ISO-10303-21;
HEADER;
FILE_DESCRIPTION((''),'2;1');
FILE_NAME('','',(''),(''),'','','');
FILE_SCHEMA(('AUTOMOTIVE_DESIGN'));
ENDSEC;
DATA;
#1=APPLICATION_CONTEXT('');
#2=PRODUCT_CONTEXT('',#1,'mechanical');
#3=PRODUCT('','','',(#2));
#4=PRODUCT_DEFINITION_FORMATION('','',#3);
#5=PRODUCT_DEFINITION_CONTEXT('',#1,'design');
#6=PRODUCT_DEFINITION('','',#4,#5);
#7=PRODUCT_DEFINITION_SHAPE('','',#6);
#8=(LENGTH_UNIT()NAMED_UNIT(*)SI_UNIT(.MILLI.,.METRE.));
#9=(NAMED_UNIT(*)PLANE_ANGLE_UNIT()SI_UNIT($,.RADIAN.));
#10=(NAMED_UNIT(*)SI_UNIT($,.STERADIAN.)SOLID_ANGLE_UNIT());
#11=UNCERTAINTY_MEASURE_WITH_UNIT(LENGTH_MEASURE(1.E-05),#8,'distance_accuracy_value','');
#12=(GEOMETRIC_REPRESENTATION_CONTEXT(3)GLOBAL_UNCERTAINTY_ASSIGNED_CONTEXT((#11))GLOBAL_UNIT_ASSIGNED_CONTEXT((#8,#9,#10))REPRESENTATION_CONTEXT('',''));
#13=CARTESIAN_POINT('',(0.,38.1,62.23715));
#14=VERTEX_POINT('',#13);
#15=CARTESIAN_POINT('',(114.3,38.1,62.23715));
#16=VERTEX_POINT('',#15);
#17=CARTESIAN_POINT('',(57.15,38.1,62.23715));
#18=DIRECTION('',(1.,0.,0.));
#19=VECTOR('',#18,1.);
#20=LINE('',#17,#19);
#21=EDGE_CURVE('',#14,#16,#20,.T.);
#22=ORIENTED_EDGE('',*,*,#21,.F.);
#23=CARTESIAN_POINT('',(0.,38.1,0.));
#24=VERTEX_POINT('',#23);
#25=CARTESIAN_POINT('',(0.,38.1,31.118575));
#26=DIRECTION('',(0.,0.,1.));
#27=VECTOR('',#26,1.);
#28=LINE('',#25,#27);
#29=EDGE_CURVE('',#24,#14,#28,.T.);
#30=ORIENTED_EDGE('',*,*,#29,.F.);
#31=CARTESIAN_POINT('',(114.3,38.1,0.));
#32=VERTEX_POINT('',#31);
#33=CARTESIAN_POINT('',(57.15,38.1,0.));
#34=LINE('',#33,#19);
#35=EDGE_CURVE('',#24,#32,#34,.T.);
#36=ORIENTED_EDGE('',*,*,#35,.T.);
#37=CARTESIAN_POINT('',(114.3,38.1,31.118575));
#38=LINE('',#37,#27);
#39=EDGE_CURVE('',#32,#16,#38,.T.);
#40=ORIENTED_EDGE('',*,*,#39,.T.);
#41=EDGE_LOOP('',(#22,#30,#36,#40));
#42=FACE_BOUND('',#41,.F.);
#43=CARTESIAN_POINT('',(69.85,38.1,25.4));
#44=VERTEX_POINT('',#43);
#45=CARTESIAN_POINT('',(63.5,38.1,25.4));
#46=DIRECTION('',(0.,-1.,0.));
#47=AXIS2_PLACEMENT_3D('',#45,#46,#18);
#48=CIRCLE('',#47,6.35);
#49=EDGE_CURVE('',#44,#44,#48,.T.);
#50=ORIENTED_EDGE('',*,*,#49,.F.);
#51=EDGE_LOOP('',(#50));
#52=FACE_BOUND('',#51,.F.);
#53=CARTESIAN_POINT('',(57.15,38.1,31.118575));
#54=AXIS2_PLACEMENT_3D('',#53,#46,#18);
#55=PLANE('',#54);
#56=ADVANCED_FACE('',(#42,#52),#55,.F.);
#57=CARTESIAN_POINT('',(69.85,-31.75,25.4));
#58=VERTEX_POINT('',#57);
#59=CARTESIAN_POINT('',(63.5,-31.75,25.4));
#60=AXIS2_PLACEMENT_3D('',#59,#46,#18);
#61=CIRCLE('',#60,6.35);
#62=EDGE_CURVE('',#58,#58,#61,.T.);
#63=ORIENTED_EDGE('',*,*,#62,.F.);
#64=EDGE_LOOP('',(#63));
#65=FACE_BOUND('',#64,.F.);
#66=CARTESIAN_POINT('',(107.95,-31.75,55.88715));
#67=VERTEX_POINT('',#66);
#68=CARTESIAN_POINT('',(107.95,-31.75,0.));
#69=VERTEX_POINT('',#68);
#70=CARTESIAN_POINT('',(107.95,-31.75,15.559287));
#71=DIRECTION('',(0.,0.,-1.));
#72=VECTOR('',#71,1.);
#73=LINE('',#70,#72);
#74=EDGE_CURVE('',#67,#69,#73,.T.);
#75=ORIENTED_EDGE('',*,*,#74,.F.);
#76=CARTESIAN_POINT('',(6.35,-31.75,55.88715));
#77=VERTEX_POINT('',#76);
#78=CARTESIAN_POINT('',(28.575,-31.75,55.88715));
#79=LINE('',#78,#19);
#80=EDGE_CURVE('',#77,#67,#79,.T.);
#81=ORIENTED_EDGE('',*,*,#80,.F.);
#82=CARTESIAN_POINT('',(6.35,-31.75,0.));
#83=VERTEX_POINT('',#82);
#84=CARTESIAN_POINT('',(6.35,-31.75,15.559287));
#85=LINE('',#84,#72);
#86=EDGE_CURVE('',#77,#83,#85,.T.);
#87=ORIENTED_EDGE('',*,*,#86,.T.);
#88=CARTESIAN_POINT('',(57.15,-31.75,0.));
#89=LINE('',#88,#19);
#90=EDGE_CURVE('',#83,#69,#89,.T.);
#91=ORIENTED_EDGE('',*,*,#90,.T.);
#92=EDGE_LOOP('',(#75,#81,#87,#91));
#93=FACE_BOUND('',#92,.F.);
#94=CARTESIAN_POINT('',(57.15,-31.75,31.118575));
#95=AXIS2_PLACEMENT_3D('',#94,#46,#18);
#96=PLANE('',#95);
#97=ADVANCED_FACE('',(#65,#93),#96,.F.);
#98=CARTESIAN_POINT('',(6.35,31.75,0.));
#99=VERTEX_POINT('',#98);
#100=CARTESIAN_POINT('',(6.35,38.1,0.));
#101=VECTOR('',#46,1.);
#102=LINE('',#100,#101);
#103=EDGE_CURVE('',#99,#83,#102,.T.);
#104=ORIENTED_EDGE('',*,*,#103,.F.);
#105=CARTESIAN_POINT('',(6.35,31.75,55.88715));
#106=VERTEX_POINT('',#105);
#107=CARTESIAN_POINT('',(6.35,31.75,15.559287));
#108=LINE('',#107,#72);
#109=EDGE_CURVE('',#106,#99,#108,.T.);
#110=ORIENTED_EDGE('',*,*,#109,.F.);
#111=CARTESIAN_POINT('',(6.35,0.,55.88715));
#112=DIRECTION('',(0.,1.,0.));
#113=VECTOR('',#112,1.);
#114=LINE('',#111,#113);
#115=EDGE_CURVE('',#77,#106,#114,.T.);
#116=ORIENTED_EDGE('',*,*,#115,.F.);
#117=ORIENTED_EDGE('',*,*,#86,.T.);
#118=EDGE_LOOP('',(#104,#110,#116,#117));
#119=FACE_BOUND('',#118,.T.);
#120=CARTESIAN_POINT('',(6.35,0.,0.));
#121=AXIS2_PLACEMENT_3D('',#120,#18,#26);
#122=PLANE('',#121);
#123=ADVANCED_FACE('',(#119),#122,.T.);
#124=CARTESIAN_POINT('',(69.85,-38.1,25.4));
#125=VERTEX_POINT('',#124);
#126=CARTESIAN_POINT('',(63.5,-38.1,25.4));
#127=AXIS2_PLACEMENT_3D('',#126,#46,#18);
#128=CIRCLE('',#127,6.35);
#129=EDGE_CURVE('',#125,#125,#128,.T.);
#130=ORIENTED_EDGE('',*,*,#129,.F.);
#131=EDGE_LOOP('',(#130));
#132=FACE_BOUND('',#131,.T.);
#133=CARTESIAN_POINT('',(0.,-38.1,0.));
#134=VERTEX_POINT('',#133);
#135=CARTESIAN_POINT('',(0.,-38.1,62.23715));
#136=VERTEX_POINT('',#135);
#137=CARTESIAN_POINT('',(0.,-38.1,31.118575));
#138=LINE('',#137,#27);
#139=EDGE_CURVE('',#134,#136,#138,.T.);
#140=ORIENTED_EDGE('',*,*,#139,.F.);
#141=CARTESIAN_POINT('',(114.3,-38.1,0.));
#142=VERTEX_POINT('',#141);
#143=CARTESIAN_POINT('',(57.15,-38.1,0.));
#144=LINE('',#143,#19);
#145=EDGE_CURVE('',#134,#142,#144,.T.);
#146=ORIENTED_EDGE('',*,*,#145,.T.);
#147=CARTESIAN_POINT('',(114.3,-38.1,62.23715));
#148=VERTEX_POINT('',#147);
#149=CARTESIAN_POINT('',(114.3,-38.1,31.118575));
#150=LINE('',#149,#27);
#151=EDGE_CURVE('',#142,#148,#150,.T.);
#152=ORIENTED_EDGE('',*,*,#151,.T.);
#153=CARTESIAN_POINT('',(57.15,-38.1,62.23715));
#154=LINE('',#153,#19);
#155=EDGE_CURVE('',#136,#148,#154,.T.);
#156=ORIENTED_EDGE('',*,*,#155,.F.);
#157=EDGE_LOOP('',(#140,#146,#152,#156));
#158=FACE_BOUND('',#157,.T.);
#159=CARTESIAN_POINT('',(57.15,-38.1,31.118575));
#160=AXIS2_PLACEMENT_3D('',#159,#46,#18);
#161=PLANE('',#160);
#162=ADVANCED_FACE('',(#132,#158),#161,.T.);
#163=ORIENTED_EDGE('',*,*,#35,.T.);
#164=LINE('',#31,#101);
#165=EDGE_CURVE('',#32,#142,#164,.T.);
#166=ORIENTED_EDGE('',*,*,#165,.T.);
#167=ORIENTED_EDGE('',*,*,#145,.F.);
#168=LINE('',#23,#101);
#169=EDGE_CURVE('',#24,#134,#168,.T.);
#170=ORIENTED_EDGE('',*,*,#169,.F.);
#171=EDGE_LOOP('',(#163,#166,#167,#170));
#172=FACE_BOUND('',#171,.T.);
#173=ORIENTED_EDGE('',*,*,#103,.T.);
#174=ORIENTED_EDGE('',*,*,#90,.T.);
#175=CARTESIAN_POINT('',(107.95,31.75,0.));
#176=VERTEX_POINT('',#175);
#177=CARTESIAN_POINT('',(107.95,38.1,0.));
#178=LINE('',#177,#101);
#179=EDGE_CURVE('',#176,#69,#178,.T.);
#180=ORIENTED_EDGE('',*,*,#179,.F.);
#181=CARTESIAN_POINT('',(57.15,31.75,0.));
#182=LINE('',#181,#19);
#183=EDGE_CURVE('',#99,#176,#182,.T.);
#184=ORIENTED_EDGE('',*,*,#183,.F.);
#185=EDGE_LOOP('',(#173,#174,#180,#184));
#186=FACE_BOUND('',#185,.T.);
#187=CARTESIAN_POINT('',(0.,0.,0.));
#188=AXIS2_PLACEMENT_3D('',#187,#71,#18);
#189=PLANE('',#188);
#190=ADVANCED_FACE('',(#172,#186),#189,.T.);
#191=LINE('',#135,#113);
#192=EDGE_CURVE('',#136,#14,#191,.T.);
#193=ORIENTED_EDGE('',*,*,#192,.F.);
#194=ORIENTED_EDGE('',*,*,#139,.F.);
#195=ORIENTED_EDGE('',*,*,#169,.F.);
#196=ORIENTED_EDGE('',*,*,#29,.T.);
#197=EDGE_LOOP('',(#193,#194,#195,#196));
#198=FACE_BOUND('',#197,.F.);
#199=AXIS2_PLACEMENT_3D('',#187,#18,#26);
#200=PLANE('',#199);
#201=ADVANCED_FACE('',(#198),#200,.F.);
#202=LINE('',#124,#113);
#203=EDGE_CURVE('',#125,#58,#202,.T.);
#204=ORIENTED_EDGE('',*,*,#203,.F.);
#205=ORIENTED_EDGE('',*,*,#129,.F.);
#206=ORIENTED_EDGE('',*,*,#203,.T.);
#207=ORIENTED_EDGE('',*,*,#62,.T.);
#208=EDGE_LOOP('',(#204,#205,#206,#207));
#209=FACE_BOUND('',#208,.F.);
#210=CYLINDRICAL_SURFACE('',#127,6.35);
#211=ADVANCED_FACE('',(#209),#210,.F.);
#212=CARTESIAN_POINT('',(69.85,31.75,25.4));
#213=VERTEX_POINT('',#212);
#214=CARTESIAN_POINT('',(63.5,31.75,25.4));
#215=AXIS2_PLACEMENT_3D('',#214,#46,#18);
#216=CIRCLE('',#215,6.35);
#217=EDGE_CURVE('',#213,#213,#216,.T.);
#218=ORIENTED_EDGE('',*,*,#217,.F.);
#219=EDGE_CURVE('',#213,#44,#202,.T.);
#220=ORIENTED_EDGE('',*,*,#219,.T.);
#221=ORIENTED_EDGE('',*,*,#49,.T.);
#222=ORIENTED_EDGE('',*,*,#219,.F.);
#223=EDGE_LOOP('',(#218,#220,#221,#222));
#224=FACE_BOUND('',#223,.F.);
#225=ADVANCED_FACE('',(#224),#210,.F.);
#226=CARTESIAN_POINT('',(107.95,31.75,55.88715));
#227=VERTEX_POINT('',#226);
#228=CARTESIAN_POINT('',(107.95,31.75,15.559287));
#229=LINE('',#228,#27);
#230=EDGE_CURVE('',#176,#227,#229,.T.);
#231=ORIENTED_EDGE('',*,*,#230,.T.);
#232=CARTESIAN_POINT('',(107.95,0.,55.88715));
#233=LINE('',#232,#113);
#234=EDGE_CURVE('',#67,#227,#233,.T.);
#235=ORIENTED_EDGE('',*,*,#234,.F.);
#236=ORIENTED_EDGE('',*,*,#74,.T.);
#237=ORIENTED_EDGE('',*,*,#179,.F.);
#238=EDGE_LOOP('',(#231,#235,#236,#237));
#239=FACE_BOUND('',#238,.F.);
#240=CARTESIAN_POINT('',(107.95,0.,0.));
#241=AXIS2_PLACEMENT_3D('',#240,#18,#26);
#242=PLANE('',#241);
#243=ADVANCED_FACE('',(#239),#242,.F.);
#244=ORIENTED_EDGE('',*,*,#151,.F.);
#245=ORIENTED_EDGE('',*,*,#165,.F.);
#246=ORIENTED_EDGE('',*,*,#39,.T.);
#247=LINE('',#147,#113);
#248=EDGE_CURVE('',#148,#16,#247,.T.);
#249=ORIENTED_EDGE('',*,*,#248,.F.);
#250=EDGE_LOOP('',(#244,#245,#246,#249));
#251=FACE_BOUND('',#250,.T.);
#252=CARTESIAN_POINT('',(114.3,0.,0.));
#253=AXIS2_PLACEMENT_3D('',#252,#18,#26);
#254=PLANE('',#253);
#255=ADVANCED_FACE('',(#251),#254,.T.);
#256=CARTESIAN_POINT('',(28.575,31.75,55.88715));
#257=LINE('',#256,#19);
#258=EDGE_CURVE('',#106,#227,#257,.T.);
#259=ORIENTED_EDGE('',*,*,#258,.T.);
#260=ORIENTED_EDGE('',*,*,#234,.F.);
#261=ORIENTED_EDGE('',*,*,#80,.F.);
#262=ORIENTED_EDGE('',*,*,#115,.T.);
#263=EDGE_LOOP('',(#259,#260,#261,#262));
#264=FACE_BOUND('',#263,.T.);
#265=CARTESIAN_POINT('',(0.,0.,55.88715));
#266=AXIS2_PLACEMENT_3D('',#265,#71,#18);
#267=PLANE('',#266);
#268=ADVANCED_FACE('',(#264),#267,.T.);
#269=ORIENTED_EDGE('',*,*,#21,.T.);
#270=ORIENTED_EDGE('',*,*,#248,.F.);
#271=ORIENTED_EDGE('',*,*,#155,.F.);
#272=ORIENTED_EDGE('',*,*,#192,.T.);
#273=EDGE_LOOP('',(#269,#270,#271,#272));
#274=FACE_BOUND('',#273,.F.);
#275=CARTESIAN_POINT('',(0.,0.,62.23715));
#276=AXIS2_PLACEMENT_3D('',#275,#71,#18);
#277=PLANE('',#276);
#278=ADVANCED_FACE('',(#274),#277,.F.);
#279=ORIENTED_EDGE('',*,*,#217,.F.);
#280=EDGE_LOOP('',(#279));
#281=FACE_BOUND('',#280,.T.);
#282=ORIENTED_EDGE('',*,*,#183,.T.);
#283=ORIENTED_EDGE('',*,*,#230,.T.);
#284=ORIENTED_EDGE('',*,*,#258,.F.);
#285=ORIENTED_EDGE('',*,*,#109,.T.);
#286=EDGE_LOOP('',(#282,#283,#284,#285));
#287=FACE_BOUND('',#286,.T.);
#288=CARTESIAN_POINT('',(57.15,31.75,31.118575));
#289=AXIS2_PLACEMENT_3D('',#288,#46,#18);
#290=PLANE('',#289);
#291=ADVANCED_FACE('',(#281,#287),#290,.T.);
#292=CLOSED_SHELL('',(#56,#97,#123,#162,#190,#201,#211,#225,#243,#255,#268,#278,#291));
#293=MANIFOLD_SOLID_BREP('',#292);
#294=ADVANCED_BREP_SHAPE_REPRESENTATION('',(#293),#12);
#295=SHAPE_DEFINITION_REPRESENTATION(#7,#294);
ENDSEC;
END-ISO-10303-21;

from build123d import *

# Parameters (mm, degrees)
F0_W     = 114.3
F0_H     = 62.237151
F1_DEPTH = 38.1
F2_T     = -6.35
F3_R     = 6.35
F4_DEPTH = 76.201


with BuildPart() as f1:
    # F0 (on Front) → F1 (new body, symmetric)
    with BuildSketch(Plane.XZ):
        with Locations((57.15, 31.118575)):
            Rectangle(F0_W, F0_H)
    extrude(amount=F1_DEPTH, both=True)

    # F2
    f2_openings = [f1.faces().sort_by_distance(p)[0] for p in [
        (57.15, 0, 0),
    ]]
    offset(amount=F2_T, openings=f2_openings)

    # F3 (on face) → F4 (cut, through all)
    with BuildSketch(Plane.XZ.offset(38.1)):
        with Locations((63.5, 25.4)):
            Circle(F3_R)
    extrude(amount=-F4_DEPTH, mode=Mode.SUBTRACT)


solid = f1.part
